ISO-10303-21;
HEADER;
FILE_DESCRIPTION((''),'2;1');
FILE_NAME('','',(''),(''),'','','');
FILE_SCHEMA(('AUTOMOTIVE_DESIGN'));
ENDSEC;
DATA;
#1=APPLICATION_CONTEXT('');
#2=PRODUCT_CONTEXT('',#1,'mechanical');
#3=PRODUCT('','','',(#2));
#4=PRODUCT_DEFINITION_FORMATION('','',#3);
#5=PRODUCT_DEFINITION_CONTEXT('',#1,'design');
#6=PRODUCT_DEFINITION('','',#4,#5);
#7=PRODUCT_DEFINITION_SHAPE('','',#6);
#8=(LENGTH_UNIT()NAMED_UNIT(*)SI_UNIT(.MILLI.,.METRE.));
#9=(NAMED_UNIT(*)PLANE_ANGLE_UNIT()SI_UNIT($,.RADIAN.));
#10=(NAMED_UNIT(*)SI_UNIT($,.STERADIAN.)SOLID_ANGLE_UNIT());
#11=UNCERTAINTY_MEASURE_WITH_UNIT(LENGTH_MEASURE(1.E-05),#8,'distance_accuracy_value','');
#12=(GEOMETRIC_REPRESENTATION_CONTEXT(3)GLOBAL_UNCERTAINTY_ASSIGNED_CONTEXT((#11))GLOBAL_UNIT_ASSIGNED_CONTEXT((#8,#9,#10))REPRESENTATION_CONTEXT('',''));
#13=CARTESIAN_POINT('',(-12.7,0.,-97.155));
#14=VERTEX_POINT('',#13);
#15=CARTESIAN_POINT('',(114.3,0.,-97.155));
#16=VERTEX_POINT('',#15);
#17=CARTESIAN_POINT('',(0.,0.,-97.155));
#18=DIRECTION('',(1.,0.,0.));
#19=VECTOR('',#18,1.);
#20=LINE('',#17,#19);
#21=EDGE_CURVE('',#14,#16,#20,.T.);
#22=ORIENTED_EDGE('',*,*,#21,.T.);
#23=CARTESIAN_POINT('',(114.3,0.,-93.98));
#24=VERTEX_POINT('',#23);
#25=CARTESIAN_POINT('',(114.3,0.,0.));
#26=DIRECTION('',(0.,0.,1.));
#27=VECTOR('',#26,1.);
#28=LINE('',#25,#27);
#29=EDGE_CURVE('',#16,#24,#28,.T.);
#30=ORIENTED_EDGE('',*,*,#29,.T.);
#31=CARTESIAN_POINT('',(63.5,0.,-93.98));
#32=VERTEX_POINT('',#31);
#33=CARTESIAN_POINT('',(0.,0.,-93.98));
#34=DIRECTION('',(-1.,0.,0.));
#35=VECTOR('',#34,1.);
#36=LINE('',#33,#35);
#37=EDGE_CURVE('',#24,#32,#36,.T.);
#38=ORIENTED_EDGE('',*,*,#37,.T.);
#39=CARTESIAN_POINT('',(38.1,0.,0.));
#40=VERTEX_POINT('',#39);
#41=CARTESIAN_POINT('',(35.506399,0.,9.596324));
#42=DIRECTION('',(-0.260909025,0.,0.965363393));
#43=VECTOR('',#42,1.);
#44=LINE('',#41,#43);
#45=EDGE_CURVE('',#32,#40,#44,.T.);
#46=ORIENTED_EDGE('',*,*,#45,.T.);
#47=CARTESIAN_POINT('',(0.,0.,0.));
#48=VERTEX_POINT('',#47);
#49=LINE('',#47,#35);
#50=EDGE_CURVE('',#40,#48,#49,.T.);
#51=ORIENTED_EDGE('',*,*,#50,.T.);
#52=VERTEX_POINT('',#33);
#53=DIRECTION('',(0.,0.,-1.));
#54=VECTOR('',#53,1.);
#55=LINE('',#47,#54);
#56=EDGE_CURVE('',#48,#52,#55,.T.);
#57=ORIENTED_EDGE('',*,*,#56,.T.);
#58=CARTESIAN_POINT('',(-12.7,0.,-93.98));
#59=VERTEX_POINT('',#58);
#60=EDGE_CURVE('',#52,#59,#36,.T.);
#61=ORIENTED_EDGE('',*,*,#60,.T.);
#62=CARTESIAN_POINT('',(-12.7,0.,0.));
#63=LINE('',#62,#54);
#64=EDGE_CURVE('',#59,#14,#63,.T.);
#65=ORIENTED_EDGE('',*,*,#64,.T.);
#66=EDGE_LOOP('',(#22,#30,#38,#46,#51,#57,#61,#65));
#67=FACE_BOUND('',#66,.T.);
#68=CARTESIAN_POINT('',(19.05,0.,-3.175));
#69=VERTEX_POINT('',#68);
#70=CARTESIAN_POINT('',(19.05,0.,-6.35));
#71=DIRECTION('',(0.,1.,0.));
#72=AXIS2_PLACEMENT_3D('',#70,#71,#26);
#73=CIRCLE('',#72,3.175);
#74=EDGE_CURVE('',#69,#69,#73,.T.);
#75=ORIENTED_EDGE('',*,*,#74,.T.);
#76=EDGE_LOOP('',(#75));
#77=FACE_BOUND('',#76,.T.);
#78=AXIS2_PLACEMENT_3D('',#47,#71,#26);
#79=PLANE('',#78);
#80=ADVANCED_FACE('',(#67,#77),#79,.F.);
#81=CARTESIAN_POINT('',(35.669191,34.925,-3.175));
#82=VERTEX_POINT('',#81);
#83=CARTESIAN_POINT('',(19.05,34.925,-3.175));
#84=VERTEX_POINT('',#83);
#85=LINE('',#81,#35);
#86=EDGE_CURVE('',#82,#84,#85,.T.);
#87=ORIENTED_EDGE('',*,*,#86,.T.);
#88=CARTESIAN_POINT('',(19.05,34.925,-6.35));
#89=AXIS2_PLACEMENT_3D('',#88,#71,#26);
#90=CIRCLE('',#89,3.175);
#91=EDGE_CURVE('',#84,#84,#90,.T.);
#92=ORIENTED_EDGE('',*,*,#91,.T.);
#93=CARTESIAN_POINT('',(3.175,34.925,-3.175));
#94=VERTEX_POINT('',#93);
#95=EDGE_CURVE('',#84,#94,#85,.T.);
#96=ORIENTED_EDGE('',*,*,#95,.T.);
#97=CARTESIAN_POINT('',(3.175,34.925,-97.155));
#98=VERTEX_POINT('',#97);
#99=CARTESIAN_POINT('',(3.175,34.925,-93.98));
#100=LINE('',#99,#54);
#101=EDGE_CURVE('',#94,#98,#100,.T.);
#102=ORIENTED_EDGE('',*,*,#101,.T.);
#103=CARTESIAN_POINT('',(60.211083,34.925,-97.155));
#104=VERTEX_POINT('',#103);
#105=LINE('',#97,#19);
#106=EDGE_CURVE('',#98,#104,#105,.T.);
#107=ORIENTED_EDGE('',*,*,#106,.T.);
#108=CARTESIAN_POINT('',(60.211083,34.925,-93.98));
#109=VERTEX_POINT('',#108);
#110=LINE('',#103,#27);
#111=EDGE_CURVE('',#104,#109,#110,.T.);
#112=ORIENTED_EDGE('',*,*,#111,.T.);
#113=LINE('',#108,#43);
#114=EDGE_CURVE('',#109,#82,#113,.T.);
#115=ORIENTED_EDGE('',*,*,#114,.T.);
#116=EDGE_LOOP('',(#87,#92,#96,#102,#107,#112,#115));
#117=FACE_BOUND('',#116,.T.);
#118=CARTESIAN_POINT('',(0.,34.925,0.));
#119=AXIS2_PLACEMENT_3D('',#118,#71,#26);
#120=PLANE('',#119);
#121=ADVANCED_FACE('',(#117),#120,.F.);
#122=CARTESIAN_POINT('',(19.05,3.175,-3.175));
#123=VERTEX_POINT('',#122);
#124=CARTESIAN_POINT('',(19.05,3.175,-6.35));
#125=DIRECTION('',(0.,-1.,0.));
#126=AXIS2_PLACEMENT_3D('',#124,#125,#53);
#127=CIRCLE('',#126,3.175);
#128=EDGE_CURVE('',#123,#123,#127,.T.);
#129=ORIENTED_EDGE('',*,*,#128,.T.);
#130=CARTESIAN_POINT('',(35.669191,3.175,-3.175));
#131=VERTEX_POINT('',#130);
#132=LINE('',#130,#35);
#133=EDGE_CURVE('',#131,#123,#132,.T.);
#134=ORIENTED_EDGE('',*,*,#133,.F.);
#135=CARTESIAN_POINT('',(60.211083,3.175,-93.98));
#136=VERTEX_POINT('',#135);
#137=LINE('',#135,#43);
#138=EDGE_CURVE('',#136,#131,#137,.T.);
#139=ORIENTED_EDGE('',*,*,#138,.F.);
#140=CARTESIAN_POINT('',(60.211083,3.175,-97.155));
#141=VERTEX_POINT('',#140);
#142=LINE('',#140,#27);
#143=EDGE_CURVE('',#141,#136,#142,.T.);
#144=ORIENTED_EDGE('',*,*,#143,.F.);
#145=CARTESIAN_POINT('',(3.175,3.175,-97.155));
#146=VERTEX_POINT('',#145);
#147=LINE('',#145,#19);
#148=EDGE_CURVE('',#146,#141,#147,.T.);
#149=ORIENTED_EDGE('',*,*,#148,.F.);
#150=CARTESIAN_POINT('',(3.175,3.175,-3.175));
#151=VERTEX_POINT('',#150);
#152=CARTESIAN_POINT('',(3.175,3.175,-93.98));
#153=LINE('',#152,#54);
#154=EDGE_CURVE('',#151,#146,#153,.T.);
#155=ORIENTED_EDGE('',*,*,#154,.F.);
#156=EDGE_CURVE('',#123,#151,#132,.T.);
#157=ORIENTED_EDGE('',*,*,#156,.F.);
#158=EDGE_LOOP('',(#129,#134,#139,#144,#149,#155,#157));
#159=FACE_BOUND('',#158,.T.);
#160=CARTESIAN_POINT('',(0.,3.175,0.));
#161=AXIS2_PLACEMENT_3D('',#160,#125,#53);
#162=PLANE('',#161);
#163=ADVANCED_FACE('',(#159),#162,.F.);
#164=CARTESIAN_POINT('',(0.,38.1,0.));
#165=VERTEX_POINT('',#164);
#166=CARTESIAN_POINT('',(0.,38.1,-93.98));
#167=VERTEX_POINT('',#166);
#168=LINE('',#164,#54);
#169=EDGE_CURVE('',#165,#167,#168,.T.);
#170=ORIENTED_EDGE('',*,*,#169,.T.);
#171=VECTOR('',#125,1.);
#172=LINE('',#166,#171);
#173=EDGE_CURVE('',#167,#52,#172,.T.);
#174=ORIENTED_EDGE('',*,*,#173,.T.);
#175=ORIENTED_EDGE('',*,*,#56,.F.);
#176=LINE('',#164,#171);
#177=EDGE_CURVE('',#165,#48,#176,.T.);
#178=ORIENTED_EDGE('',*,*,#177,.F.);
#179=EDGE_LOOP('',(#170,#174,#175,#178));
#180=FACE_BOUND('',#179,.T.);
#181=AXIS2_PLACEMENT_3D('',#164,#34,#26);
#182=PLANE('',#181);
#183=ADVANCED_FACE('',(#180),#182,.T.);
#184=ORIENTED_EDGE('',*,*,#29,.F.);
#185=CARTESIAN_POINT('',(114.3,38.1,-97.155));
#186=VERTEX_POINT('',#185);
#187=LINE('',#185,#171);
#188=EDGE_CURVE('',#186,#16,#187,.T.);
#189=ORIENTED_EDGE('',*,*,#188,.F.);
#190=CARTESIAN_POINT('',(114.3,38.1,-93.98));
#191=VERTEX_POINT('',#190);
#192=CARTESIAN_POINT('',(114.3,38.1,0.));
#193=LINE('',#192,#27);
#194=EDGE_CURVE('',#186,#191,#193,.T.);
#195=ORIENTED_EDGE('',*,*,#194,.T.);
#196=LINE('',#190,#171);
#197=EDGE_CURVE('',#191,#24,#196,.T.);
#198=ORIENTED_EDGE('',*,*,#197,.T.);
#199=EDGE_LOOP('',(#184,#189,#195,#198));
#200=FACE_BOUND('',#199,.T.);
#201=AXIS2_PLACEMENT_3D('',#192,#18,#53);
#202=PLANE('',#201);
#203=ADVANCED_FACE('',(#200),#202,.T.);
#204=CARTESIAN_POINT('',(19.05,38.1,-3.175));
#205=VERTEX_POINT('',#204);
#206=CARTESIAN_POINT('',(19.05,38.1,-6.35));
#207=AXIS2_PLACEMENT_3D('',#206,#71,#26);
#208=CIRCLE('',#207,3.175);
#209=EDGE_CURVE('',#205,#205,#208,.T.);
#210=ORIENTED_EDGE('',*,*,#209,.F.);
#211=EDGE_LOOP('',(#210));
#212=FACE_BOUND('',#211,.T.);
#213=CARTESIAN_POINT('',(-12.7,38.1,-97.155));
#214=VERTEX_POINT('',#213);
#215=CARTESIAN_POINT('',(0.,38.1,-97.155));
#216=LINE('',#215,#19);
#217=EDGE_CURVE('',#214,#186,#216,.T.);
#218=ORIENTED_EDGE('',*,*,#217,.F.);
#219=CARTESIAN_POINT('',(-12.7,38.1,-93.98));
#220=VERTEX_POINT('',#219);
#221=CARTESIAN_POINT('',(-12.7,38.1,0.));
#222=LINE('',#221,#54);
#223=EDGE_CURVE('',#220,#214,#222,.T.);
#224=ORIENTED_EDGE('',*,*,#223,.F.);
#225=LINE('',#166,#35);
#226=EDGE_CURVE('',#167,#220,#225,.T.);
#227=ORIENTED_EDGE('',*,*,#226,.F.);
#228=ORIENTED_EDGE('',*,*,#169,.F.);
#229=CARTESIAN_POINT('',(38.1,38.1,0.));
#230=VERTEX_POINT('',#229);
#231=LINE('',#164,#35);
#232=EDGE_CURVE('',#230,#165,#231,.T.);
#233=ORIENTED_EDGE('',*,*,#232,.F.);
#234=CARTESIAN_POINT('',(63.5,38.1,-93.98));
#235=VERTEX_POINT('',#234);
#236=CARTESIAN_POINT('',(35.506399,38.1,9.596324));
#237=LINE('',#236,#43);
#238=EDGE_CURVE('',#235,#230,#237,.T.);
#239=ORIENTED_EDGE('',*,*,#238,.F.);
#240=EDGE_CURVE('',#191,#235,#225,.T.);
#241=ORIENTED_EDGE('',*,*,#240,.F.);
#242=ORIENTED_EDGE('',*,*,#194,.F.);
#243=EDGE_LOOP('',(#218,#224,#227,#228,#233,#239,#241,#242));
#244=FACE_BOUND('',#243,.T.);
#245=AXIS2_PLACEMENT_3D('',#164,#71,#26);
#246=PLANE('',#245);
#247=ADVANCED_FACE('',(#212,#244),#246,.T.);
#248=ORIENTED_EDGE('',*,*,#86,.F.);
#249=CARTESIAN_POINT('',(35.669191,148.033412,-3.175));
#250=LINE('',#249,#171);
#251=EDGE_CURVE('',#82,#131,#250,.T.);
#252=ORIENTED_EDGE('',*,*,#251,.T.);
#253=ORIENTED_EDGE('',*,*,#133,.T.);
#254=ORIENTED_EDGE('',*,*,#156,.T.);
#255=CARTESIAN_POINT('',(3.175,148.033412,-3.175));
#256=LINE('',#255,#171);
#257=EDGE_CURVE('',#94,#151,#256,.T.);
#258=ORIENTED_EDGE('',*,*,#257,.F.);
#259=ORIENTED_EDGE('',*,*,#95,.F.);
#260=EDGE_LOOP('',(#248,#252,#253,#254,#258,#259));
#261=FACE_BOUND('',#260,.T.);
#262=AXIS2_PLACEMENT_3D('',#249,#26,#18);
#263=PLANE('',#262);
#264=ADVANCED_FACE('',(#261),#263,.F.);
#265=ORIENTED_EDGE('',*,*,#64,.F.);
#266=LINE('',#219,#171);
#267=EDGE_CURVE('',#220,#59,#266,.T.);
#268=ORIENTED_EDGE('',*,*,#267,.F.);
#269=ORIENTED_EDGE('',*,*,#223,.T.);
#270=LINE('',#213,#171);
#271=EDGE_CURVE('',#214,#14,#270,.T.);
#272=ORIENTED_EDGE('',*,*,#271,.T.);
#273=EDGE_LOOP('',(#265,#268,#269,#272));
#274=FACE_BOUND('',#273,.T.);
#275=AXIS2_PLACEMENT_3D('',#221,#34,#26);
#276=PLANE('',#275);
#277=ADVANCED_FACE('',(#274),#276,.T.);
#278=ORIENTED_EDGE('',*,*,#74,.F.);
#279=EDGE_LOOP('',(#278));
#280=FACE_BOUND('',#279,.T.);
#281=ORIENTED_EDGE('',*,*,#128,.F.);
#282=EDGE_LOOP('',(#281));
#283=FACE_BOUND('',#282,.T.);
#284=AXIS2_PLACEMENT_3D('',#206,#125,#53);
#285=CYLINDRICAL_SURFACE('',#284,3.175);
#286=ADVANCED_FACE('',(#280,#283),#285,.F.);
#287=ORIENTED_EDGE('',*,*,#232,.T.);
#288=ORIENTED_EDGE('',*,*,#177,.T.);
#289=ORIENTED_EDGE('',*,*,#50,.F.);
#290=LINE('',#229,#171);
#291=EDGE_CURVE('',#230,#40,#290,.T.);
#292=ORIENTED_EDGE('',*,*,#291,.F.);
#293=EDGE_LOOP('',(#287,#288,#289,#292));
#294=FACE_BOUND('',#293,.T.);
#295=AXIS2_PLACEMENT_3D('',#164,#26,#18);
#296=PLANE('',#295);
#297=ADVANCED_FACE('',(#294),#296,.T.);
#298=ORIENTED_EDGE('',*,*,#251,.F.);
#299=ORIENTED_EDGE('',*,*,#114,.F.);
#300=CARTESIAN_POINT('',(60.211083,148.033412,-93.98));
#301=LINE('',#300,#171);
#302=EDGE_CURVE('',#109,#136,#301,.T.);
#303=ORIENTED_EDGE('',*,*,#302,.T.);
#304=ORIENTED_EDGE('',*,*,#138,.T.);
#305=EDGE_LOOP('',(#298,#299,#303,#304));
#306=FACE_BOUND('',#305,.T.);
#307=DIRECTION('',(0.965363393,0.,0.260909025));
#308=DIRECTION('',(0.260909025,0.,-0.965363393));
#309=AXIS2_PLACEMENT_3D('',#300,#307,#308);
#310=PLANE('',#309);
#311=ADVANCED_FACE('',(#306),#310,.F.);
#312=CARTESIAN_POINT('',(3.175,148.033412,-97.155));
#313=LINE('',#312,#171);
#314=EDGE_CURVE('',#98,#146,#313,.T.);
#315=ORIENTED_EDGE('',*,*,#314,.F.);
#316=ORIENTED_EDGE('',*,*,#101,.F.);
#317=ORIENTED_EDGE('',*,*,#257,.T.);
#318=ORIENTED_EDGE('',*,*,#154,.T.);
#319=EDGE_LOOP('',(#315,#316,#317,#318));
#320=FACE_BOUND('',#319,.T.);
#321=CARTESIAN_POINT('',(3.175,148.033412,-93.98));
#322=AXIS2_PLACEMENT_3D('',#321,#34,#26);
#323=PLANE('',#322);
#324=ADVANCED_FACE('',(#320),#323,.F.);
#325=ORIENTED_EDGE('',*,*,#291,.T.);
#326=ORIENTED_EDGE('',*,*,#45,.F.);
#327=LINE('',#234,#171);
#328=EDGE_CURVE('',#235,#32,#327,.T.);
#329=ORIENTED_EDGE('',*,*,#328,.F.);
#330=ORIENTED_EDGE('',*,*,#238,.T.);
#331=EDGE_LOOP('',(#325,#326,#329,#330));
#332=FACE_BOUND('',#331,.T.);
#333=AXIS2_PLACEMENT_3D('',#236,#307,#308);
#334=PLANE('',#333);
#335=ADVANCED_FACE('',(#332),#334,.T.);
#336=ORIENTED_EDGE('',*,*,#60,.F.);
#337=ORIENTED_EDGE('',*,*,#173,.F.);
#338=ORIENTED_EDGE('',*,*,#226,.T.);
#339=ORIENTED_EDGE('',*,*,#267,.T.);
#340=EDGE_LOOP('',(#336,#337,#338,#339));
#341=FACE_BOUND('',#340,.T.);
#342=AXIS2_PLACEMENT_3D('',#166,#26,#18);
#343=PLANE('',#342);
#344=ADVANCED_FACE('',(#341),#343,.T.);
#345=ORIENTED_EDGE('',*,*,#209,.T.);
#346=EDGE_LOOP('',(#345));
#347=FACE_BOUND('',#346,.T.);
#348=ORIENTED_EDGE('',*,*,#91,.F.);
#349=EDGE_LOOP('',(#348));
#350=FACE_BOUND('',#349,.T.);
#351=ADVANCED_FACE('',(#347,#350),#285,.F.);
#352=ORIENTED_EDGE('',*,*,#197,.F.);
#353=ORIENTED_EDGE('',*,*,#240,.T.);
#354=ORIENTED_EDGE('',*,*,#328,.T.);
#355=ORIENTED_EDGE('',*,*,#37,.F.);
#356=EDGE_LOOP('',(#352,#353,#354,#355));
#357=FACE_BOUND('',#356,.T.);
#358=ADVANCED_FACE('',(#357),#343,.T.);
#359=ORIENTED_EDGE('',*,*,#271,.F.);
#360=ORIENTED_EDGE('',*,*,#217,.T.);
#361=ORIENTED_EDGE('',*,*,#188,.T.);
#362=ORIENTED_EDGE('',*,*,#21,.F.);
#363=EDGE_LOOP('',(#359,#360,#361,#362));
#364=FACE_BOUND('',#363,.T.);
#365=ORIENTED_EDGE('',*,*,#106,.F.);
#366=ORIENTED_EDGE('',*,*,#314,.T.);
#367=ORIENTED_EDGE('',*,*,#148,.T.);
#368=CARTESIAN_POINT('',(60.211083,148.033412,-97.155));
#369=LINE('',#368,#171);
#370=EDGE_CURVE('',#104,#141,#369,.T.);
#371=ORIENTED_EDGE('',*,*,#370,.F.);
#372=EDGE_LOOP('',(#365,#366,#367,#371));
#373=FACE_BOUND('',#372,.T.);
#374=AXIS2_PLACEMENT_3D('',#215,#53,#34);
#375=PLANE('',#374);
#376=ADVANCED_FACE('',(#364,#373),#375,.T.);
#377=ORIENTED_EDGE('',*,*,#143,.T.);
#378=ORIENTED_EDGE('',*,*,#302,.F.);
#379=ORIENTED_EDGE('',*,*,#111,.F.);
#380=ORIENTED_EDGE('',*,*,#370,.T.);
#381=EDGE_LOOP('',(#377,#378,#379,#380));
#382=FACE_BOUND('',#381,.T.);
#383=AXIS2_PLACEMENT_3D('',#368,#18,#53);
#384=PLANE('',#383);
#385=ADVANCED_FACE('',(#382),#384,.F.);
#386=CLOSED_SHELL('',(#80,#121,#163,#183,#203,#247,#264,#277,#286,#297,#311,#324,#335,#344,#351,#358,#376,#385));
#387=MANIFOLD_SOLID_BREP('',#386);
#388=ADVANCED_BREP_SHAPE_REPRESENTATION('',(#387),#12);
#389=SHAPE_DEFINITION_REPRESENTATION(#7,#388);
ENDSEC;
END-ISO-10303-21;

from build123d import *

# Parameters (mm, degrees)
SKETCH1_R           = 3.175
BOSS_EXTRUDE1_DEPTH = 38.1
CUT_EXTRUDE1_START  = -34.925
CUT_EXTRUDE1_DEPTH  = 31.75


with BuildPart() as part:
    # Sketch1 → Boss-Extrude1 (new body)
    with BuildSketch(Plane(origin=(0, 0, 0), x_dir=(1, 0, 0), z_dir=(0, 1, 0))):
        Polygon((-12.7, 97.155), (-12.7, 93.98), (0, 93.98), (0, 0), (38.1, 0), (63.5, 93.98), (114.3, 93.98), (114.3, 97.155), align=None)
        with Locations(Location((19.05, 6.35, 0), (0, 0, 90))):
            Circle(SKETCH1_R, mode=Mode.SUBTRACT)
    extrude(amount=BOSS_EXTRUDE1_DEPTH)

    # Sketch2 → Cut-Extrude1 (cut)
    with BuildSketch(Plane.XZ.offset(CUT_EXTRUDE1_START)):
        Polygon((60.211083077, -97.155), (60.211083077, -93.98), (35.669191185, -3.175), (3.175, -3.175), (3.175, -93.98), (3.175, -97.155), align=None)
    extrude(amount=CUT_EXTRUDE1_DEPTH, mode=Mode.SUBTRACT)


solid = part.part
